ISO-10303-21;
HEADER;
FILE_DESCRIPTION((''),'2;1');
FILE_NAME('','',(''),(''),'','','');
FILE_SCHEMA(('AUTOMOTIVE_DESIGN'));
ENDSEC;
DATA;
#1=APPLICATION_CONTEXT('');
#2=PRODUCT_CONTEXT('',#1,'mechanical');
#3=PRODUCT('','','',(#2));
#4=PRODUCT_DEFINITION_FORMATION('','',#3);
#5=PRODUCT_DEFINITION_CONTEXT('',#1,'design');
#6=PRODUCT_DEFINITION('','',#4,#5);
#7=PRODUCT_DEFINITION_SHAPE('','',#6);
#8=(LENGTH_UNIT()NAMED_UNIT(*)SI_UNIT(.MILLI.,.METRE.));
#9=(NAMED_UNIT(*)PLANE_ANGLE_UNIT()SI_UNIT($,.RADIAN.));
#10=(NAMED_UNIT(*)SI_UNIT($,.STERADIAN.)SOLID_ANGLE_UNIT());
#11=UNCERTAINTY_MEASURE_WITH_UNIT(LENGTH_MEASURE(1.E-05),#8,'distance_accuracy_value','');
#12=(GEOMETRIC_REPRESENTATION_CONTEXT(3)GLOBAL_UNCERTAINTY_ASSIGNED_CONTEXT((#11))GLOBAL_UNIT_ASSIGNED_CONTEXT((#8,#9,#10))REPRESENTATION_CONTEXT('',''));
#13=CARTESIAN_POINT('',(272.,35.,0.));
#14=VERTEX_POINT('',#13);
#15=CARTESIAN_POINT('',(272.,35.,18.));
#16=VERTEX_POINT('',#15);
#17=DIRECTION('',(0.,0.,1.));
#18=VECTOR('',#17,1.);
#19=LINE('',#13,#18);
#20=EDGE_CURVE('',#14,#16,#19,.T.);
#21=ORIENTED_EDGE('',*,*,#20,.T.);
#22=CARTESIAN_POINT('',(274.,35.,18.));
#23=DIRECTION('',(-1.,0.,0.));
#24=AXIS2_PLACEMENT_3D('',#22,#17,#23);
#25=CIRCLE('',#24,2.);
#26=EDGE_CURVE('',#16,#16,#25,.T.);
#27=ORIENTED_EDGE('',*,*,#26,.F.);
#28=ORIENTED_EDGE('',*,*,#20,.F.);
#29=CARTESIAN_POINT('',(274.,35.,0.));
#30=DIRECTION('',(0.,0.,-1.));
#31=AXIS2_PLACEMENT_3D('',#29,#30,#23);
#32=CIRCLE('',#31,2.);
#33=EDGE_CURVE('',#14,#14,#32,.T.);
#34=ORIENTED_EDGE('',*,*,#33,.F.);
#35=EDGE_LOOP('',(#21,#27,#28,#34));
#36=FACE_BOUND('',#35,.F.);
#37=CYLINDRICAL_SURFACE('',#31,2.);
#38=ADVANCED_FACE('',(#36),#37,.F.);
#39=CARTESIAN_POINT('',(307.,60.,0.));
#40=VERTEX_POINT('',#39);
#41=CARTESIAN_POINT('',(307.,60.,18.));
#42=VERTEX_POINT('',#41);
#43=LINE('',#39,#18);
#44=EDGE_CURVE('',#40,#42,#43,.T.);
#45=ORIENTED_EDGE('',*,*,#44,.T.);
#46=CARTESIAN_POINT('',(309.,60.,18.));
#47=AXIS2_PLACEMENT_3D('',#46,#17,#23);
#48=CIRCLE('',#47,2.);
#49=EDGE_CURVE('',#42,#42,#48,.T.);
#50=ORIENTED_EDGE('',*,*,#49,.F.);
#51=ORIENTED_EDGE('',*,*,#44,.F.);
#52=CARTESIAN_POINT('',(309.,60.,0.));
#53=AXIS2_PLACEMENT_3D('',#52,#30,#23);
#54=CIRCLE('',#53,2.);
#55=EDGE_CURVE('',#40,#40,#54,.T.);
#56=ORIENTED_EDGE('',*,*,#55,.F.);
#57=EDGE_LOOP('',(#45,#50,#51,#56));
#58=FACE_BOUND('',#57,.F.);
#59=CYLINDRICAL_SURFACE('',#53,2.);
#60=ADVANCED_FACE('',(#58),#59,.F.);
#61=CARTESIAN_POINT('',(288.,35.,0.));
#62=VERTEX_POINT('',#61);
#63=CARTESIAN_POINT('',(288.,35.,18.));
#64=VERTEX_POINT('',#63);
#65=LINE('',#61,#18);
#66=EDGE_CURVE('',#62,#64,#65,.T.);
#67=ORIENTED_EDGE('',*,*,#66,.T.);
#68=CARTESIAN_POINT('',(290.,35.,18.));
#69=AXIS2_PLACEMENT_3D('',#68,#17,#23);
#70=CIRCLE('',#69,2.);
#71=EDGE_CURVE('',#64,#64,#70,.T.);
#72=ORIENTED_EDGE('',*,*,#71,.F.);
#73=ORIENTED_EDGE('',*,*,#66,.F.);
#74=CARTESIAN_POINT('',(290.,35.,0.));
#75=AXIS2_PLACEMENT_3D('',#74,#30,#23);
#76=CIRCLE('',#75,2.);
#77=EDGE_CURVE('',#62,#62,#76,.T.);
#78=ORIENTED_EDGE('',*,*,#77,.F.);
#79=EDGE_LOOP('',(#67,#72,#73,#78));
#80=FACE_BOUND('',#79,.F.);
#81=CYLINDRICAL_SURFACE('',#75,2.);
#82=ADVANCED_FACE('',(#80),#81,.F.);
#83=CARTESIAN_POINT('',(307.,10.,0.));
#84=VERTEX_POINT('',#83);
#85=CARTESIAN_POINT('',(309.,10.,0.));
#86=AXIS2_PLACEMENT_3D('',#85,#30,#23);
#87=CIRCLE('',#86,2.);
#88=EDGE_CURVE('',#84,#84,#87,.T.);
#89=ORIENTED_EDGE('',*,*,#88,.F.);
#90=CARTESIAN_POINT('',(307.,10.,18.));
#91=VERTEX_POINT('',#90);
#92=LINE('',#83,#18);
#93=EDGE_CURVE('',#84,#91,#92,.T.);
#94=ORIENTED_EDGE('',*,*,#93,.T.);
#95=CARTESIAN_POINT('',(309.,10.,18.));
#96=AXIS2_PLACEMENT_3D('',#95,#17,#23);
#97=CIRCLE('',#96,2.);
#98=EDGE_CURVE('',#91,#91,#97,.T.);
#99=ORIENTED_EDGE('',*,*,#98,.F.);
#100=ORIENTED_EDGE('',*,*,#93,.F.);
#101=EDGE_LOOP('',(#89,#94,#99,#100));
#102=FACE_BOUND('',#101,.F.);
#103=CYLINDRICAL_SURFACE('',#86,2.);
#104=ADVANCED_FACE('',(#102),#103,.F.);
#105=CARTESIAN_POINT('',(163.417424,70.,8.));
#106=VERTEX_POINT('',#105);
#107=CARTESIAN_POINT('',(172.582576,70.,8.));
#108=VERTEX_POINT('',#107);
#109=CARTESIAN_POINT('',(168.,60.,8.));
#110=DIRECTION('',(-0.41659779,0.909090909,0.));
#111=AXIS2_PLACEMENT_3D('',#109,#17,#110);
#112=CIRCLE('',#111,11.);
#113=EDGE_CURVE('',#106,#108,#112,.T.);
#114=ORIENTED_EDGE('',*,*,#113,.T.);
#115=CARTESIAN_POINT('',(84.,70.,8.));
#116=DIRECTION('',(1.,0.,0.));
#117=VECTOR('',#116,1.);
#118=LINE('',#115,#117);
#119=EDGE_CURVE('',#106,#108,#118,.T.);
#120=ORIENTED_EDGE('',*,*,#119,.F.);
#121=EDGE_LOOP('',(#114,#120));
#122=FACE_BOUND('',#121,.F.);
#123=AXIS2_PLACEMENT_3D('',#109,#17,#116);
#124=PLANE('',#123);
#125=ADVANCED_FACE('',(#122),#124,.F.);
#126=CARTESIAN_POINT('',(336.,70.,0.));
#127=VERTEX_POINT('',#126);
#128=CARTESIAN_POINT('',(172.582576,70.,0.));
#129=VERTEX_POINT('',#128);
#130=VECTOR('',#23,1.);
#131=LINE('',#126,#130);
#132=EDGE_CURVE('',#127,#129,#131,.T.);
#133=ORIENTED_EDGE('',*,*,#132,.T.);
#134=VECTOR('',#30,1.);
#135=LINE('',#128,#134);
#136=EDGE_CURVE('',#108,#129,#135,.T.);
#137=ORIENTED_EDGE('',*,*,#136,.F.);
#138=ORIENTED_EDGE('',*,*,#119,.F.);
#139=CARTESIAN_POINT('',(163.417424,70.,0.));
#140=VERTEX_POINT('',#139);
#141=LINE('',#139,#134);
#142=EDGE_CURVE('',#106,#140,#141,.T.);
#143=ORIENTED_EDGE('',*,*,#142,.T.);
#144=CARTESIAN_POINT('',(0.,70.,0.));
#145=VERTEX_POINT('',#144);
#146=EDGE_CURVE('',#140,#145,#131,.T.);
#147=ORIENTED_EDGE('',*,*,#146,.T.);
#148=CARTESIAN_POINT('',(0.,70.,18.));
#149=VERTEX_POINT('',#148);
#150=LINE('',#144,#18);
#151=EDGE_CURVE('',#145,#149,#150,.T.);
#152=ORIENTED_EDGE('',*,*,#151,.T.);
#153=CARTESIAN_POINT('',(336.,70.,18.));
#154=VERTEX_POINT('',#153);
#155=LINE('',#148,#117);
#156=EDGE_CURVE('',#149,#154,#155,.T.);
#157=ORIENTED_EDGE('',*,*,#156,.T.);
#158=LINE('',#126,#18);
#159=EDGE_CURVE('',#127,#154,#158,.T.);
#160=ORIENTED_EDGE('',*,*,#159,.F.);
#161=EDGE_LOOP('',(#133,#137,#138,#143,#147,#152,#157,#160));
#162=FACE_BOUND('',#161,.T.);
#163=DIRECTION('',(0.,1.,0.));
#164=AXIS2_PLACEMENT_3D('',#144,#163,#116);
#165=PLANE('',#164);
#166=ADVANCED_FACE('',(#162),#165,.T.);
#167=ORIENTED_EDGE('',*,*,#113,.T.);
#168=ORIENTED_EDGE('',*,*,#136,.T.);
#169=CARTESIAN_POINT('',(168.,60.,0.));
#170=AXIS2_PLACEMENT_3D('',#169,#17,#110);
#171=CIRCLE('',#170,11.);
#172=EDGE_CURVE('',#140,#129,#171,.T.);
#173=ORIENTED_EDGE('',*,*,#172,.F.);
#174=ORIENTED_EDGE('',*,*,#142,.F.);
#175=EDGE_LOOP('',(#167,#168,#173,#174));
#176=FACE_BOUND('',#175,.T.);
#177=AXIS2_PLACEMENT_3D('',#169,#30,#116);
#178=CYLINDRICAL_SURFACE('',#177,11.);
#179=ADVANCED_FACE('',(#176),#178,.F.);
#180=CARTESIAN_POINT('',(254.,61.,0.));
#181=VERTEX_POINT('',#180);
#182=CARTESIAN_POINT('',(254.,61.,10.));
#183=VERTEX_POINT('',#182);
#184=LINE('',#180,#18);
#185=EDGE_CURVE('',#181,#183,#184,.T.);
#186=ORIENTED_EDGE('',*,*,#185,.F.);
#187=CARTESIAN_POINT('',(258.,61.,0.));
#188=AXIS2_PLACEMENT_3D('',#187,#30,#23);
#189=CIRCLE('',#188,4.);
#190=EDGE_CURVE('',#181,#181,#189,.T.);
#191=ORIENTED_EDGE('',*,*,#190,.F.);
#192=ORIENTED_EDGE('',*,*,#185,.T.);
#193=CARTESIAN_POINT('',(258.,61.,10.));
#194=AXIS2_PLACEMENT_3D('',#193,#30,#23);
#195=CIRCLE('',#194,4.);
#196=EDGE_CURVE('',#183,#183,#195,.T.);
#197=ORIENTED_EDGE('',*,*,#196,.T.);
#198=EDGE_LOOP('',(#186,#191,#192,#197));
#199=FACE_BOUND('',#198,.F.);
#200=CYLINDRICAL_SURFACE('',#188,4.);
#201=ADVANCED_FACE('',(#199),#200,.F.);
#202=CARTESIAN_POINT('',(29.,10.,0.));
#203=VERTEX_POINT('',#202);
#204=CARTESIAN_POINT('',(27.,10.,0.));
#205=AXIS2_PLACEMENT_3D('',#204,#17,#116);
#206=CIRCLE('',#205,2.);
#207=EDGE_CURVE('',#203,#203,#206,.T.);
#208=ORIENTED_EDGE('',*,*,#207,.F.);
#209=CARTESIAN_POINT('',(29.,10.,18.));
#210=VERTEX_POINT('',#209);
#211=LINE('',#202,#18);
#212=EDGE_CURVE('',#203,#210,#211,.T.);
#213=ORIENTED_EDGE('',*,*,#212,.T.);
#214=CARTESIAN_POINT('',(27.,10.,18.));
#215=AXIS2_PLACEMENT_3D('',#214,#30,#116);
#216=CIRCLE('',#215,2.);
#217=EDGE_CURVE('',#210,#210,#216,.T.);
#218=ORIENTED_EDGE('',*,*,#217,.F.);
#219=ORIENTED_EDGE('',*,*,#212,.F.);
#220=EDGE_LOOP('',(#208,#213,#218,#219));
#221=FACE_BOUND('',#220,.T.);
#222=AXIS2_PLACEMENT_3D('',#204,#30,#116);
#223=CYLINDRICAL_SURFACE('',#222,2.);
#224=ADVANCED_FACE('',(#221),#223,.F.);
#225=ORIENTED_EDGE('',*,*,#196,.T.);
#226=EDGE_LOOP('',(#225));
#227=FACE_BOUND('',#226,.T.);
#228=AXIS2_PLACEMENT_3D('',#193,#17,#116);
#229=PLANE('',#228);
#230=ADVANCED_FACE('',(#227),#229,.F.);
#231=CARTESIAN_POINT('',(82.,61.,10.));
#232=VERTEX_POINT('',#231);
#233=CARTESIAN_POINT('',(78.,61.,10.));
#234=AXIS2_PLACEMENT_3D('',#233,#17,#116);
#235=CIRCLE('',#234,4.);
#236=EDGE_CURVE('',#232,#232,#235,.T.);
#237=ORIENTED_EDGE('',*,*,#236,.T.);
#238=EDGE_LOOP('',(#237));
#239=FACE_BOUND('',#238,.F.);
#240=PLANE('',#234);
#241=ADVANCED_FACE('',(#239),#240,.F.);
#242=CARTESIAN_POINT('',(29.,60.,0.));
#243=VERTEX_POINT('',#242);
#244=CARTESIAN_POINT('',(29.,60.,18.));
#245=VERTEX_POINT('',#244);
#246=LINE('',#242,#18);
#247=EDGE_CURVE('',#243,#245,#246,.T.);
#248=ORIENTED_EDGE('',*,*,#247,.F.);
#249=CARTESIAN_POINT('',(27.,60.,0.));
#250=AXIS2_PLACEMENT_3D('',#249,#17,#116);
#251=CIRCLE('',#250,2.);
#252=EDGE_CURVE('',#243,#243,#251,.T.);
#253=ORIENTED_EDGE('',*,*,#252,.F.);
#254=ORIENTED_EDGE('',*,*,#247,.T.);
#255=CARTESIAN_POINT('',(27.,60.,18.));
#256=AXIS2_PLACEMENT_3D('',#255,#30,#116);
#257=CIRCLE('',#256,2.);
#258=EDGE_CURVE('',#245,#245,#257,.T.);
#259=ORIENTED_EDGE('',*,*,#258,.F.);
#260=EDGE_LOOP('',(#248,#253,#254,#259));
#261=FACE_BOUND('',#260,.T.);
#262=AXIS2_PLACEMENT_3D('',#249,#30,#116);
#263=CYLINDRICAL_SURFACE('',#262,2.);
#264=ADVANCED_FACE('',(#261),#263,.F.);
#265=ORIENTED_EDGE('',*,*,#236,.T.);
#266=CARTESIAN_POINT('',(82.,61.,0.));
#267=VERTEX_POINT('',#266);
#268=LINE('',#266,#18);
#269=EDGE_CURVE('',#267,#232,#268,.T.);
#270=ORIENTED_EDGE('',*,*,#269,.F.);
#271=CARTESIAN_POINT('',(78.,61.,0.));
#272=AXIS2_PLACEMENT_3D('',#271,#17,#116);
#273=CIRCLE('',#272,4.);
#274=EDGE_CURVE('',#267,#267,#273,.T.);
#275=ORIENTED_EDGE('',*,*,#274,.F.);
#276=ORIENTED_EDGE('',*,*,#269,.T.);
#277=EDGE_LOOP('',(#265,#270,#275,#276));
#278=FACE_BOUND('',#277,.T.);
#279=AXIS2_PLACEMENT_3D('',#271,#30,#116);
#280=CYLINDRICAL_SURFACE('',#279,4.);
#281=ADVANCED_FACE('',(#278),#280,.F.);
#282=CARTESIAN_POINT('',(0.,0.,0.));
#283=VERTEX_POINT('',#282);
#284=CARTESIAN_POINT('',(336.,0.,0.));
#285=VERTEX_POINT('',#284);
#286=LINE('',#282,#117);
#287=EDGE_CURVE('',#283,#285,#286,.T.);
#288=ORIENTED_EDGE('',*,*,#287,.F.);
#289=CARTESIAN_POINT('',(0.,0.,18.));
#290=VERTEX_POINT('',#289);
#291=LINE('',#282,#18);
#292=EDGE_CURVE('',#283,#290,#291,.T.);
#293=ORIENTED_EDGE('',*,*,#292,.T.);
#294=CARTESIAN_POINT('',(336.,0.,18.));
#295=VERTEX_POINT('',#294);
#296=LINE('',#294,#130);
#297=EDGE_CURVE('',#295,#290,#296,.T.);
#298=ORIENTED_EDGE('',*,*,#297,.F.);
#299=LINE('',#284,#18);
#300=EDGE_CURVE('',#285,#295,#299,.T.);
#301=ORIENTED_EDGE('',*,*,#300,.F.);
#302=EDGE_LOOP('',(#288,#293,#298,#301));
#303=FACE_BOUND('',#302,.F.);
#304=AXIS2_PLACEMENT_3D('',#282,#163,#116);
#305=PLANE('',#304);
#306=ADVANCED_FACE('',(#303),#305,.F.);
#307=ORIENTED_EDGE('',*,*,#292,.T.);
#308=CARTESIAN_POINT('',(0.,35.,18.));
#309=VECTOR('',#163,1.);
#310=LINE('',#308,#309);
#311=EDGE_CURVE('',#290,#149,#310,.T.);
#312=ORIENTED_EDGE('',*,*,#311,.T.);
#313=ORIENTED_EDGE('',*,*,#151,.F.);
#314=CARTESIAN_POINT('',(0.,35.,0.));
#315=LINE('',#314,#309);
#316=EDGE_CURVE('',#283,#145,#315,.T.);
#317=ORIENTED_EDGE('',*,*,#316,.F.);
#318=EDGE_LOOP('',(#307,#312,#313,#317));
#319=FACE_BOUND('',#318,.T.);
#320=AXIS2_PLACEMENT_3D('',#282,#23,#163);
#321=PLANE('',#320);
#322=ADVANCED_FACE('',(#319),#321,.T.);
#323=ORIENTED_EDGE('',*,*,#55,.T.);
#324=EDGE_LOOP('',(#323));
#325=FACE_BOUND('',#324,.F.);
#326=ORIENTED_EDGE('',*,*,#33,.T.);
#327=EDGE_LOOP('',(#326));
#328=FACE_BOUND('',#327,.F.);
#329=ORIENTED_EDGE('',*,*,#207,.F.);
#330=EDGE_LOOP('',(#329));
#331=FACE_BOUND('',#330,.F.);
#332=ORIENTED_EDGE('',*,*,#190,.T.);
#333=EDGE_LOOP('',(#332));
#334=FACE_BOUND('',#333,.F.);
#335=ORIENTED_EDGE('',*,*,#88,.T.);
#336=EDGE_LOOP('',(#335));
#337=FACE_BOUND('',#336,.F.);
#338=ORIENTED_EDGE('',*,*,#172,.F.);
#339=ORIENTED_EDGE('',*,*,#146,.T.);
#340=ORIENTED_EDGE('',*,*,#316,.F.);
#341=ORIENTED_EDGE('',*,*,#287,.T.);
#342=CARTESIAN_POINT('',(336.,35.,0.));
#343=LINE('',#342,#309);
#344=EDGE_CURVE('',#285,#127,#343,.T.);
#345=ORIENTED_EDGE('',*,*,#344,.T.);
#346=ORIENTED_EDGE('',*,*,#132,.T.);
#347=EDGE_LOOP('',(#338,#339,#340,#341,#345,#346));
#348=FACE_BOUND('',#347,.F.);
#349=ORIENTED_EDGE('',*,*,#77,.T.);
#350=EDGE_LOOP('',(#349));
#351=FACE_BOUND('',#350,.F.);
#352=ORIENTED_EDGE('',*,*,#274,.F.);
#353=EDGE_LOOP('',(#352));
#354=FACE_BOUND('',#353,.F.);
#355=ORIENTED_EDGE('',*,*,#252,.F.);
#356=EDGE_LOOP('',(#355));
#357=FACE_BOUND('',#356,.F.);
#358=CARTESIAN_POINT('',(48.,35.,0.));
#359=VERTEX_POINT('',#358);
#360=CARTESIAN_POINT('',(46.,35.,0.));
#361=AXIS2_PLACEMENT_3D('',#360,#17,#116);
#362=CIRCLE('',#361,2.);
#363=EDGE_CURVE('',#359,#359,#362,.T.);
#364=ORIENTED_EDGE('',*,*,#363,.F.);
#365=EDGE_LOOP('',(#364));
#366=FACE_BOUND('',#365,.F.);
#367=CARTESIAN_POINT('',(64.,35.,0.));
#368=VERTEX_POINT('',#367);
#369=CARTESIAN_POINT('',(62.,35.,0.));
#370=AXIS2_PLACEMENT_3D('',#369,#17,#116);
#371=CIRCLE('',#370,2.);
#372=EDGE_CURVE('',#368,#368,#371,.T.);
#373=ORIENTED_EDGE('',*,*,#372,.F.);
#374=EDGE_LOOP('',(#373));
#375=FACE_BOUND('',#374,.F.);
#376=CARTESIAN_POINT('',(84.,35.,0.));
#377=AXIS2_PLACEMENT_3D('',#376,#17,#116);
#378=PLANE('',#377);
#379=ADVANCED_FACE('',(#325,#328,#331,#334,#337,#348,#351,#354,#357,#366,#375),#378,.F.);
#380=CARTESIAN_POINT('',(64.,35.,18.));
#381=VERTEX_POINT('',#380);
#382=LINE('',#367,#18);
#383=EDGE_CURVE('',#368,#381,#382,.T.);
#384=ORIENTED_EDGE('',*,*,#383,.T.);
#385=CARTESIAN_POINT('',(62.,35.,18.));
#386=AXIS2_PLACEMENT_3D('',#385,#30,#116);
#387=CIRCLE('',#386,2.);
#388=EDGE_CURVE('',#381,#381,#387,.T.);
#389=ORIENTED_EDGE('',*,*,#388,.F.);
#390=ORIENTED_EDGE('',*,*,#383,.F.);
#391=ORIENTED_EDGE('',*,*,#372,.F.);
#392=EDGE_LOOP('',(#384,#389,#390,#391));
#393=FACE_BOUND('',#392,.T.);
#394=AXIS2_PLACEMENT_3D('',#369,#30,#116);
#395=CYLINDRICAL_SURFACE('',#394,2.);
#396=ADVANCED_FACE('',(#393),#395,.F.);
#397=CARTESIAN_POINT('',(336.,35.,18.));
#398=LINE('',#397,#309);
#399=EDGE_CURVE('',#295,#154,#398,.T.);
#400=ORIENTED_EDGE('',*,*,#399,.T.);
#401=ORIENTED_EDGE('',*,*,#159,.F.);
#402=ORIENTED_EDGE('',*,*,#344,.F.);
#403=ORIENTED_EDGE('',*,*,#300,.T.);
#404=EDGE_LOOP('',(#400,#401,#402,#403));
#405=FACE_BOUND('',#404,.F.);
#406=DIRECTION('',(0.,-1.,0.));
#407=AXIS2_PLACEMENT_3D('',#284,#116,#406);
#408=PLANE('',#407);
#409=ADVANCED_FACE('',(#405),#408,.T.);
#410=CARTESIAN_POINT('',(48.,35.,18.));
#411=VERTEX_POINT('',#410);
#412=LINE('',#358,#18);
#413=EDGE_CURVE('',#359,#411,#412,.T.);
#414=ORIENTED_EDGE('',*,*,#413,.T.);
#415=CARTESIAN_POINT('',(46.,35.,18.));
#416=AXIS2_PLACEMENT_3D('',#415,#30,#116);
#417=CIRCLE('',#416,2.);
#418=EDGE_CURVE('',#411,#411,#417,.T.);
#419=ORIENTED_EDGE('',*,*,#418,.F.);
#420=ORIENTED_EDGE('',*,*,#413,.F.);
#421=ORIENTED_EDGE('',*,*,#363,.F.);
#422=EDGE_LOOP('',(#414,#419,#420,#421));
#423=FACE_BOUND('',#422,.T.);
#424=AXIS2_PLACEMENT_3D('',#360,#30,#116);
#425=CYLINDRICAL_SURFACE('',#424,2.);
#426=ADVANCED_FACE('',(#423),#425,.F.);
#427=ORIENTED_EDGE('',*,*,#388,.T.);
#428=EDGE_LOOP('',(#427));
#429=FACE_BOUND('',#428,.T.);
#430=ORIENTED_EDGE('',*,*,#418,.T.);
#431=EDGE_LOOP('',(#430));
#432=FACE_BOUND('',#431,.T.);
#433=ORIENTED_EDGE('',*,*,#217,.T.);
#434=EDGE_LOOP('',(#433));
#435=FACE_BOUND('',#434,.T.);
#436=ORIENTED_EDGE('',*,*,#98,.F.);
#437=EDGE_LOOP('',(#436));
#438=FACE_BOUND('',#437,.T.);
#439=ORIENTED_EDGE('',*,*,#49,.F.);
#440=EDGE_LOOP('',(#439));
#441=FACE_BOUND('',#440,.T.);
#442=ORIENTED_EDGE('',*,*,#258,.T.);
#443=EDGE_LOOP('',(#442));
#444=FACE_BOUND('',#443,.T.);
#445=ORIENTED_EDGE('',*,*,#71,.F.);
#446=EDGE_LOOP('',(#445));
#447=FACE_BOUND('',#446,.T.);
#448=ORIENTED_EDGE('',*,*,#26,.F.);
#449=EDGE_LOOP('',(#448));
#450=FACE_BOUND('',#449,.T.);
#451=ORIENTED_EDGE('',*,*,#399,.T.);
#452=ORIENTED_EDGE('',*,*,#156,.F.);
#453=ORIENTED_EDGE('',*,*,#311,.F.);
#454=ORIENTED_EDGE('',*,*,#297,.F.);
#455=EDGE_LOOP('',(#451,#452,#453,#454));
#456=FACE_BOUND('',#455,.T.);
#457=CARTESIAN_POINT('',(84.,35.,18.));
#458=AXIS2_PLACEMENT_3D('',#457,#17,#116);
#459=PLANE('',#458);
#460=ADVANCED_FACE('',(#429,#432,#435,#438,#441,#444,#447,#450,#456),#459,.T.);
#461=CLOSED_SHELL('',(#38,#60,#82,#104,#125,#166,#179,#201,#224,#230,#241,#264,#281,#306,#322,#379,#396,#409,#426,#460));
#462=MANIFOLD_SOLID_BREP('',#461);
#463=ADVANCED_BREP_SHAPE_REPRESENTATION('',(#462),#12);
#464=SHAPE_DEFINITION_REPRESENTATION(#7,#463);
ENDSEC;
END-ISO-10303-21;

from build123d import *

# Parameters (mm, degrees)
CYLINDER005_R     = 11
CYLINDER005_DEPTH = 8
CYLINDER004_R     = 4
CYLINDER004_DEPTH = 10
CYLINDER002_R     = 2
CYLINDER002_DEPTH = 25
CYLINDER001_R     = 2
CYLINDER001_DEPTH = 25
CYLINDER_R        = 2
CYLINDER_DEPTH    = 25
CYLINDER003_R     = 2
CYLINDER003_DEPTH = 25
BOX_W             = 168
BOX_H             = 70
BOX_DEPTH         = 18


with BuildPart() as cilindro005:
    # Cylinder005 → Cylinder005 (new body)
    with BuildSketch(Plane(origin=(168, 60, 0), x_dir=(1, 0, 0), z_dir=(0, 0, 1))):
        Circle(CYLINDER005_R)
    extrude(amount=CYLINDER005_DEPTH)


with BuildPart() as cilindro004:
    # Cylinder004 → Cylinder004 (new body)
    with BuildSketch(Plane(origin=(78, 61, 0), x_dir=(1, 0, 0), z_dir=(0, 0, 1))):
        Circle(CYLINDER004_R)
    extrude(amount=CYLINDER004_DEPTH)


with BuildPart() as cilindro002:
    # Cylinder002 → Cylinder002 (new body)
    with BuildSketch(Plane(origin=(46, 35, 0), x_dir=(1, 0, 0), z_dir=(0, 0, 1))):
        Circle(CYLINDER002_R)
    extrude(amount=CYLINDER002_DEPTH)


with BuildPart() as cilindro001:
    # Cylinder001 → Cylinder001 (new body)
    with BuildSketch(Plane(origin=(27, 60, 0), x_dir=(1, 0, 0), z_dir=(0, 0, 1))):
        Circle(CYLINDER001_R)
    extrude(amount=CYLINDER001_DEPTH)


with BuildPart() as cilindro:
    # Cylinder → Cylinder (new body)
    with BuildSketch(Plane(origin=(27, 10, 0), x_dir=(1, 0, 0), z_dir=(0, 0, 1))):
        Circle(CYLINDER_R)
    extrude(amount=CYLINDER_DEPTH)


with BuildPart() as fusion:
    # Cylinder003 → Cylinder003 (new body)
    with BuildSketch(Plane(origin=(62, 35, 0), x_dir=(1, 0, 0), z_dir=(0, 0, 1))):
        Circle(CYLINDER003_R)
    extrude(amount=CYLINDER003_DEPTH)

    # Fusion: union Cilindro004, Cilindro002, Cilindro001, Cilindro
    add(cilindro004.part)
    add(cilindro002.part)
    add(cilindro001.part)
    add(cilindro.part)


with BuildPart() as cut:
    # Box → Box (new body)
    with BuildSketch(Plane.XY):
        with Locations((84, 35)):
            Rectangle(BOX_W, BOX_H)
    extrude(amount=BOX_DEPTH)

    # Cut: cut Fusion
    add(fusion.part, mode=Mode.SUBTRACT)


with BuildPart() as cut001:
    # mirror: instance of Cut
    add(cut.part.mirror(Plane(origin=(168, 0, 0), x_dir=(0, -1, 0), z_dir=(1, 0, 0))))

    # Fusion001: union Cut
    add(cut.part)

    # Cut001: cut Cilindro005
    add(cilindro005.part, mode=Mode.SUBTRACT)


solid = cut001.part
